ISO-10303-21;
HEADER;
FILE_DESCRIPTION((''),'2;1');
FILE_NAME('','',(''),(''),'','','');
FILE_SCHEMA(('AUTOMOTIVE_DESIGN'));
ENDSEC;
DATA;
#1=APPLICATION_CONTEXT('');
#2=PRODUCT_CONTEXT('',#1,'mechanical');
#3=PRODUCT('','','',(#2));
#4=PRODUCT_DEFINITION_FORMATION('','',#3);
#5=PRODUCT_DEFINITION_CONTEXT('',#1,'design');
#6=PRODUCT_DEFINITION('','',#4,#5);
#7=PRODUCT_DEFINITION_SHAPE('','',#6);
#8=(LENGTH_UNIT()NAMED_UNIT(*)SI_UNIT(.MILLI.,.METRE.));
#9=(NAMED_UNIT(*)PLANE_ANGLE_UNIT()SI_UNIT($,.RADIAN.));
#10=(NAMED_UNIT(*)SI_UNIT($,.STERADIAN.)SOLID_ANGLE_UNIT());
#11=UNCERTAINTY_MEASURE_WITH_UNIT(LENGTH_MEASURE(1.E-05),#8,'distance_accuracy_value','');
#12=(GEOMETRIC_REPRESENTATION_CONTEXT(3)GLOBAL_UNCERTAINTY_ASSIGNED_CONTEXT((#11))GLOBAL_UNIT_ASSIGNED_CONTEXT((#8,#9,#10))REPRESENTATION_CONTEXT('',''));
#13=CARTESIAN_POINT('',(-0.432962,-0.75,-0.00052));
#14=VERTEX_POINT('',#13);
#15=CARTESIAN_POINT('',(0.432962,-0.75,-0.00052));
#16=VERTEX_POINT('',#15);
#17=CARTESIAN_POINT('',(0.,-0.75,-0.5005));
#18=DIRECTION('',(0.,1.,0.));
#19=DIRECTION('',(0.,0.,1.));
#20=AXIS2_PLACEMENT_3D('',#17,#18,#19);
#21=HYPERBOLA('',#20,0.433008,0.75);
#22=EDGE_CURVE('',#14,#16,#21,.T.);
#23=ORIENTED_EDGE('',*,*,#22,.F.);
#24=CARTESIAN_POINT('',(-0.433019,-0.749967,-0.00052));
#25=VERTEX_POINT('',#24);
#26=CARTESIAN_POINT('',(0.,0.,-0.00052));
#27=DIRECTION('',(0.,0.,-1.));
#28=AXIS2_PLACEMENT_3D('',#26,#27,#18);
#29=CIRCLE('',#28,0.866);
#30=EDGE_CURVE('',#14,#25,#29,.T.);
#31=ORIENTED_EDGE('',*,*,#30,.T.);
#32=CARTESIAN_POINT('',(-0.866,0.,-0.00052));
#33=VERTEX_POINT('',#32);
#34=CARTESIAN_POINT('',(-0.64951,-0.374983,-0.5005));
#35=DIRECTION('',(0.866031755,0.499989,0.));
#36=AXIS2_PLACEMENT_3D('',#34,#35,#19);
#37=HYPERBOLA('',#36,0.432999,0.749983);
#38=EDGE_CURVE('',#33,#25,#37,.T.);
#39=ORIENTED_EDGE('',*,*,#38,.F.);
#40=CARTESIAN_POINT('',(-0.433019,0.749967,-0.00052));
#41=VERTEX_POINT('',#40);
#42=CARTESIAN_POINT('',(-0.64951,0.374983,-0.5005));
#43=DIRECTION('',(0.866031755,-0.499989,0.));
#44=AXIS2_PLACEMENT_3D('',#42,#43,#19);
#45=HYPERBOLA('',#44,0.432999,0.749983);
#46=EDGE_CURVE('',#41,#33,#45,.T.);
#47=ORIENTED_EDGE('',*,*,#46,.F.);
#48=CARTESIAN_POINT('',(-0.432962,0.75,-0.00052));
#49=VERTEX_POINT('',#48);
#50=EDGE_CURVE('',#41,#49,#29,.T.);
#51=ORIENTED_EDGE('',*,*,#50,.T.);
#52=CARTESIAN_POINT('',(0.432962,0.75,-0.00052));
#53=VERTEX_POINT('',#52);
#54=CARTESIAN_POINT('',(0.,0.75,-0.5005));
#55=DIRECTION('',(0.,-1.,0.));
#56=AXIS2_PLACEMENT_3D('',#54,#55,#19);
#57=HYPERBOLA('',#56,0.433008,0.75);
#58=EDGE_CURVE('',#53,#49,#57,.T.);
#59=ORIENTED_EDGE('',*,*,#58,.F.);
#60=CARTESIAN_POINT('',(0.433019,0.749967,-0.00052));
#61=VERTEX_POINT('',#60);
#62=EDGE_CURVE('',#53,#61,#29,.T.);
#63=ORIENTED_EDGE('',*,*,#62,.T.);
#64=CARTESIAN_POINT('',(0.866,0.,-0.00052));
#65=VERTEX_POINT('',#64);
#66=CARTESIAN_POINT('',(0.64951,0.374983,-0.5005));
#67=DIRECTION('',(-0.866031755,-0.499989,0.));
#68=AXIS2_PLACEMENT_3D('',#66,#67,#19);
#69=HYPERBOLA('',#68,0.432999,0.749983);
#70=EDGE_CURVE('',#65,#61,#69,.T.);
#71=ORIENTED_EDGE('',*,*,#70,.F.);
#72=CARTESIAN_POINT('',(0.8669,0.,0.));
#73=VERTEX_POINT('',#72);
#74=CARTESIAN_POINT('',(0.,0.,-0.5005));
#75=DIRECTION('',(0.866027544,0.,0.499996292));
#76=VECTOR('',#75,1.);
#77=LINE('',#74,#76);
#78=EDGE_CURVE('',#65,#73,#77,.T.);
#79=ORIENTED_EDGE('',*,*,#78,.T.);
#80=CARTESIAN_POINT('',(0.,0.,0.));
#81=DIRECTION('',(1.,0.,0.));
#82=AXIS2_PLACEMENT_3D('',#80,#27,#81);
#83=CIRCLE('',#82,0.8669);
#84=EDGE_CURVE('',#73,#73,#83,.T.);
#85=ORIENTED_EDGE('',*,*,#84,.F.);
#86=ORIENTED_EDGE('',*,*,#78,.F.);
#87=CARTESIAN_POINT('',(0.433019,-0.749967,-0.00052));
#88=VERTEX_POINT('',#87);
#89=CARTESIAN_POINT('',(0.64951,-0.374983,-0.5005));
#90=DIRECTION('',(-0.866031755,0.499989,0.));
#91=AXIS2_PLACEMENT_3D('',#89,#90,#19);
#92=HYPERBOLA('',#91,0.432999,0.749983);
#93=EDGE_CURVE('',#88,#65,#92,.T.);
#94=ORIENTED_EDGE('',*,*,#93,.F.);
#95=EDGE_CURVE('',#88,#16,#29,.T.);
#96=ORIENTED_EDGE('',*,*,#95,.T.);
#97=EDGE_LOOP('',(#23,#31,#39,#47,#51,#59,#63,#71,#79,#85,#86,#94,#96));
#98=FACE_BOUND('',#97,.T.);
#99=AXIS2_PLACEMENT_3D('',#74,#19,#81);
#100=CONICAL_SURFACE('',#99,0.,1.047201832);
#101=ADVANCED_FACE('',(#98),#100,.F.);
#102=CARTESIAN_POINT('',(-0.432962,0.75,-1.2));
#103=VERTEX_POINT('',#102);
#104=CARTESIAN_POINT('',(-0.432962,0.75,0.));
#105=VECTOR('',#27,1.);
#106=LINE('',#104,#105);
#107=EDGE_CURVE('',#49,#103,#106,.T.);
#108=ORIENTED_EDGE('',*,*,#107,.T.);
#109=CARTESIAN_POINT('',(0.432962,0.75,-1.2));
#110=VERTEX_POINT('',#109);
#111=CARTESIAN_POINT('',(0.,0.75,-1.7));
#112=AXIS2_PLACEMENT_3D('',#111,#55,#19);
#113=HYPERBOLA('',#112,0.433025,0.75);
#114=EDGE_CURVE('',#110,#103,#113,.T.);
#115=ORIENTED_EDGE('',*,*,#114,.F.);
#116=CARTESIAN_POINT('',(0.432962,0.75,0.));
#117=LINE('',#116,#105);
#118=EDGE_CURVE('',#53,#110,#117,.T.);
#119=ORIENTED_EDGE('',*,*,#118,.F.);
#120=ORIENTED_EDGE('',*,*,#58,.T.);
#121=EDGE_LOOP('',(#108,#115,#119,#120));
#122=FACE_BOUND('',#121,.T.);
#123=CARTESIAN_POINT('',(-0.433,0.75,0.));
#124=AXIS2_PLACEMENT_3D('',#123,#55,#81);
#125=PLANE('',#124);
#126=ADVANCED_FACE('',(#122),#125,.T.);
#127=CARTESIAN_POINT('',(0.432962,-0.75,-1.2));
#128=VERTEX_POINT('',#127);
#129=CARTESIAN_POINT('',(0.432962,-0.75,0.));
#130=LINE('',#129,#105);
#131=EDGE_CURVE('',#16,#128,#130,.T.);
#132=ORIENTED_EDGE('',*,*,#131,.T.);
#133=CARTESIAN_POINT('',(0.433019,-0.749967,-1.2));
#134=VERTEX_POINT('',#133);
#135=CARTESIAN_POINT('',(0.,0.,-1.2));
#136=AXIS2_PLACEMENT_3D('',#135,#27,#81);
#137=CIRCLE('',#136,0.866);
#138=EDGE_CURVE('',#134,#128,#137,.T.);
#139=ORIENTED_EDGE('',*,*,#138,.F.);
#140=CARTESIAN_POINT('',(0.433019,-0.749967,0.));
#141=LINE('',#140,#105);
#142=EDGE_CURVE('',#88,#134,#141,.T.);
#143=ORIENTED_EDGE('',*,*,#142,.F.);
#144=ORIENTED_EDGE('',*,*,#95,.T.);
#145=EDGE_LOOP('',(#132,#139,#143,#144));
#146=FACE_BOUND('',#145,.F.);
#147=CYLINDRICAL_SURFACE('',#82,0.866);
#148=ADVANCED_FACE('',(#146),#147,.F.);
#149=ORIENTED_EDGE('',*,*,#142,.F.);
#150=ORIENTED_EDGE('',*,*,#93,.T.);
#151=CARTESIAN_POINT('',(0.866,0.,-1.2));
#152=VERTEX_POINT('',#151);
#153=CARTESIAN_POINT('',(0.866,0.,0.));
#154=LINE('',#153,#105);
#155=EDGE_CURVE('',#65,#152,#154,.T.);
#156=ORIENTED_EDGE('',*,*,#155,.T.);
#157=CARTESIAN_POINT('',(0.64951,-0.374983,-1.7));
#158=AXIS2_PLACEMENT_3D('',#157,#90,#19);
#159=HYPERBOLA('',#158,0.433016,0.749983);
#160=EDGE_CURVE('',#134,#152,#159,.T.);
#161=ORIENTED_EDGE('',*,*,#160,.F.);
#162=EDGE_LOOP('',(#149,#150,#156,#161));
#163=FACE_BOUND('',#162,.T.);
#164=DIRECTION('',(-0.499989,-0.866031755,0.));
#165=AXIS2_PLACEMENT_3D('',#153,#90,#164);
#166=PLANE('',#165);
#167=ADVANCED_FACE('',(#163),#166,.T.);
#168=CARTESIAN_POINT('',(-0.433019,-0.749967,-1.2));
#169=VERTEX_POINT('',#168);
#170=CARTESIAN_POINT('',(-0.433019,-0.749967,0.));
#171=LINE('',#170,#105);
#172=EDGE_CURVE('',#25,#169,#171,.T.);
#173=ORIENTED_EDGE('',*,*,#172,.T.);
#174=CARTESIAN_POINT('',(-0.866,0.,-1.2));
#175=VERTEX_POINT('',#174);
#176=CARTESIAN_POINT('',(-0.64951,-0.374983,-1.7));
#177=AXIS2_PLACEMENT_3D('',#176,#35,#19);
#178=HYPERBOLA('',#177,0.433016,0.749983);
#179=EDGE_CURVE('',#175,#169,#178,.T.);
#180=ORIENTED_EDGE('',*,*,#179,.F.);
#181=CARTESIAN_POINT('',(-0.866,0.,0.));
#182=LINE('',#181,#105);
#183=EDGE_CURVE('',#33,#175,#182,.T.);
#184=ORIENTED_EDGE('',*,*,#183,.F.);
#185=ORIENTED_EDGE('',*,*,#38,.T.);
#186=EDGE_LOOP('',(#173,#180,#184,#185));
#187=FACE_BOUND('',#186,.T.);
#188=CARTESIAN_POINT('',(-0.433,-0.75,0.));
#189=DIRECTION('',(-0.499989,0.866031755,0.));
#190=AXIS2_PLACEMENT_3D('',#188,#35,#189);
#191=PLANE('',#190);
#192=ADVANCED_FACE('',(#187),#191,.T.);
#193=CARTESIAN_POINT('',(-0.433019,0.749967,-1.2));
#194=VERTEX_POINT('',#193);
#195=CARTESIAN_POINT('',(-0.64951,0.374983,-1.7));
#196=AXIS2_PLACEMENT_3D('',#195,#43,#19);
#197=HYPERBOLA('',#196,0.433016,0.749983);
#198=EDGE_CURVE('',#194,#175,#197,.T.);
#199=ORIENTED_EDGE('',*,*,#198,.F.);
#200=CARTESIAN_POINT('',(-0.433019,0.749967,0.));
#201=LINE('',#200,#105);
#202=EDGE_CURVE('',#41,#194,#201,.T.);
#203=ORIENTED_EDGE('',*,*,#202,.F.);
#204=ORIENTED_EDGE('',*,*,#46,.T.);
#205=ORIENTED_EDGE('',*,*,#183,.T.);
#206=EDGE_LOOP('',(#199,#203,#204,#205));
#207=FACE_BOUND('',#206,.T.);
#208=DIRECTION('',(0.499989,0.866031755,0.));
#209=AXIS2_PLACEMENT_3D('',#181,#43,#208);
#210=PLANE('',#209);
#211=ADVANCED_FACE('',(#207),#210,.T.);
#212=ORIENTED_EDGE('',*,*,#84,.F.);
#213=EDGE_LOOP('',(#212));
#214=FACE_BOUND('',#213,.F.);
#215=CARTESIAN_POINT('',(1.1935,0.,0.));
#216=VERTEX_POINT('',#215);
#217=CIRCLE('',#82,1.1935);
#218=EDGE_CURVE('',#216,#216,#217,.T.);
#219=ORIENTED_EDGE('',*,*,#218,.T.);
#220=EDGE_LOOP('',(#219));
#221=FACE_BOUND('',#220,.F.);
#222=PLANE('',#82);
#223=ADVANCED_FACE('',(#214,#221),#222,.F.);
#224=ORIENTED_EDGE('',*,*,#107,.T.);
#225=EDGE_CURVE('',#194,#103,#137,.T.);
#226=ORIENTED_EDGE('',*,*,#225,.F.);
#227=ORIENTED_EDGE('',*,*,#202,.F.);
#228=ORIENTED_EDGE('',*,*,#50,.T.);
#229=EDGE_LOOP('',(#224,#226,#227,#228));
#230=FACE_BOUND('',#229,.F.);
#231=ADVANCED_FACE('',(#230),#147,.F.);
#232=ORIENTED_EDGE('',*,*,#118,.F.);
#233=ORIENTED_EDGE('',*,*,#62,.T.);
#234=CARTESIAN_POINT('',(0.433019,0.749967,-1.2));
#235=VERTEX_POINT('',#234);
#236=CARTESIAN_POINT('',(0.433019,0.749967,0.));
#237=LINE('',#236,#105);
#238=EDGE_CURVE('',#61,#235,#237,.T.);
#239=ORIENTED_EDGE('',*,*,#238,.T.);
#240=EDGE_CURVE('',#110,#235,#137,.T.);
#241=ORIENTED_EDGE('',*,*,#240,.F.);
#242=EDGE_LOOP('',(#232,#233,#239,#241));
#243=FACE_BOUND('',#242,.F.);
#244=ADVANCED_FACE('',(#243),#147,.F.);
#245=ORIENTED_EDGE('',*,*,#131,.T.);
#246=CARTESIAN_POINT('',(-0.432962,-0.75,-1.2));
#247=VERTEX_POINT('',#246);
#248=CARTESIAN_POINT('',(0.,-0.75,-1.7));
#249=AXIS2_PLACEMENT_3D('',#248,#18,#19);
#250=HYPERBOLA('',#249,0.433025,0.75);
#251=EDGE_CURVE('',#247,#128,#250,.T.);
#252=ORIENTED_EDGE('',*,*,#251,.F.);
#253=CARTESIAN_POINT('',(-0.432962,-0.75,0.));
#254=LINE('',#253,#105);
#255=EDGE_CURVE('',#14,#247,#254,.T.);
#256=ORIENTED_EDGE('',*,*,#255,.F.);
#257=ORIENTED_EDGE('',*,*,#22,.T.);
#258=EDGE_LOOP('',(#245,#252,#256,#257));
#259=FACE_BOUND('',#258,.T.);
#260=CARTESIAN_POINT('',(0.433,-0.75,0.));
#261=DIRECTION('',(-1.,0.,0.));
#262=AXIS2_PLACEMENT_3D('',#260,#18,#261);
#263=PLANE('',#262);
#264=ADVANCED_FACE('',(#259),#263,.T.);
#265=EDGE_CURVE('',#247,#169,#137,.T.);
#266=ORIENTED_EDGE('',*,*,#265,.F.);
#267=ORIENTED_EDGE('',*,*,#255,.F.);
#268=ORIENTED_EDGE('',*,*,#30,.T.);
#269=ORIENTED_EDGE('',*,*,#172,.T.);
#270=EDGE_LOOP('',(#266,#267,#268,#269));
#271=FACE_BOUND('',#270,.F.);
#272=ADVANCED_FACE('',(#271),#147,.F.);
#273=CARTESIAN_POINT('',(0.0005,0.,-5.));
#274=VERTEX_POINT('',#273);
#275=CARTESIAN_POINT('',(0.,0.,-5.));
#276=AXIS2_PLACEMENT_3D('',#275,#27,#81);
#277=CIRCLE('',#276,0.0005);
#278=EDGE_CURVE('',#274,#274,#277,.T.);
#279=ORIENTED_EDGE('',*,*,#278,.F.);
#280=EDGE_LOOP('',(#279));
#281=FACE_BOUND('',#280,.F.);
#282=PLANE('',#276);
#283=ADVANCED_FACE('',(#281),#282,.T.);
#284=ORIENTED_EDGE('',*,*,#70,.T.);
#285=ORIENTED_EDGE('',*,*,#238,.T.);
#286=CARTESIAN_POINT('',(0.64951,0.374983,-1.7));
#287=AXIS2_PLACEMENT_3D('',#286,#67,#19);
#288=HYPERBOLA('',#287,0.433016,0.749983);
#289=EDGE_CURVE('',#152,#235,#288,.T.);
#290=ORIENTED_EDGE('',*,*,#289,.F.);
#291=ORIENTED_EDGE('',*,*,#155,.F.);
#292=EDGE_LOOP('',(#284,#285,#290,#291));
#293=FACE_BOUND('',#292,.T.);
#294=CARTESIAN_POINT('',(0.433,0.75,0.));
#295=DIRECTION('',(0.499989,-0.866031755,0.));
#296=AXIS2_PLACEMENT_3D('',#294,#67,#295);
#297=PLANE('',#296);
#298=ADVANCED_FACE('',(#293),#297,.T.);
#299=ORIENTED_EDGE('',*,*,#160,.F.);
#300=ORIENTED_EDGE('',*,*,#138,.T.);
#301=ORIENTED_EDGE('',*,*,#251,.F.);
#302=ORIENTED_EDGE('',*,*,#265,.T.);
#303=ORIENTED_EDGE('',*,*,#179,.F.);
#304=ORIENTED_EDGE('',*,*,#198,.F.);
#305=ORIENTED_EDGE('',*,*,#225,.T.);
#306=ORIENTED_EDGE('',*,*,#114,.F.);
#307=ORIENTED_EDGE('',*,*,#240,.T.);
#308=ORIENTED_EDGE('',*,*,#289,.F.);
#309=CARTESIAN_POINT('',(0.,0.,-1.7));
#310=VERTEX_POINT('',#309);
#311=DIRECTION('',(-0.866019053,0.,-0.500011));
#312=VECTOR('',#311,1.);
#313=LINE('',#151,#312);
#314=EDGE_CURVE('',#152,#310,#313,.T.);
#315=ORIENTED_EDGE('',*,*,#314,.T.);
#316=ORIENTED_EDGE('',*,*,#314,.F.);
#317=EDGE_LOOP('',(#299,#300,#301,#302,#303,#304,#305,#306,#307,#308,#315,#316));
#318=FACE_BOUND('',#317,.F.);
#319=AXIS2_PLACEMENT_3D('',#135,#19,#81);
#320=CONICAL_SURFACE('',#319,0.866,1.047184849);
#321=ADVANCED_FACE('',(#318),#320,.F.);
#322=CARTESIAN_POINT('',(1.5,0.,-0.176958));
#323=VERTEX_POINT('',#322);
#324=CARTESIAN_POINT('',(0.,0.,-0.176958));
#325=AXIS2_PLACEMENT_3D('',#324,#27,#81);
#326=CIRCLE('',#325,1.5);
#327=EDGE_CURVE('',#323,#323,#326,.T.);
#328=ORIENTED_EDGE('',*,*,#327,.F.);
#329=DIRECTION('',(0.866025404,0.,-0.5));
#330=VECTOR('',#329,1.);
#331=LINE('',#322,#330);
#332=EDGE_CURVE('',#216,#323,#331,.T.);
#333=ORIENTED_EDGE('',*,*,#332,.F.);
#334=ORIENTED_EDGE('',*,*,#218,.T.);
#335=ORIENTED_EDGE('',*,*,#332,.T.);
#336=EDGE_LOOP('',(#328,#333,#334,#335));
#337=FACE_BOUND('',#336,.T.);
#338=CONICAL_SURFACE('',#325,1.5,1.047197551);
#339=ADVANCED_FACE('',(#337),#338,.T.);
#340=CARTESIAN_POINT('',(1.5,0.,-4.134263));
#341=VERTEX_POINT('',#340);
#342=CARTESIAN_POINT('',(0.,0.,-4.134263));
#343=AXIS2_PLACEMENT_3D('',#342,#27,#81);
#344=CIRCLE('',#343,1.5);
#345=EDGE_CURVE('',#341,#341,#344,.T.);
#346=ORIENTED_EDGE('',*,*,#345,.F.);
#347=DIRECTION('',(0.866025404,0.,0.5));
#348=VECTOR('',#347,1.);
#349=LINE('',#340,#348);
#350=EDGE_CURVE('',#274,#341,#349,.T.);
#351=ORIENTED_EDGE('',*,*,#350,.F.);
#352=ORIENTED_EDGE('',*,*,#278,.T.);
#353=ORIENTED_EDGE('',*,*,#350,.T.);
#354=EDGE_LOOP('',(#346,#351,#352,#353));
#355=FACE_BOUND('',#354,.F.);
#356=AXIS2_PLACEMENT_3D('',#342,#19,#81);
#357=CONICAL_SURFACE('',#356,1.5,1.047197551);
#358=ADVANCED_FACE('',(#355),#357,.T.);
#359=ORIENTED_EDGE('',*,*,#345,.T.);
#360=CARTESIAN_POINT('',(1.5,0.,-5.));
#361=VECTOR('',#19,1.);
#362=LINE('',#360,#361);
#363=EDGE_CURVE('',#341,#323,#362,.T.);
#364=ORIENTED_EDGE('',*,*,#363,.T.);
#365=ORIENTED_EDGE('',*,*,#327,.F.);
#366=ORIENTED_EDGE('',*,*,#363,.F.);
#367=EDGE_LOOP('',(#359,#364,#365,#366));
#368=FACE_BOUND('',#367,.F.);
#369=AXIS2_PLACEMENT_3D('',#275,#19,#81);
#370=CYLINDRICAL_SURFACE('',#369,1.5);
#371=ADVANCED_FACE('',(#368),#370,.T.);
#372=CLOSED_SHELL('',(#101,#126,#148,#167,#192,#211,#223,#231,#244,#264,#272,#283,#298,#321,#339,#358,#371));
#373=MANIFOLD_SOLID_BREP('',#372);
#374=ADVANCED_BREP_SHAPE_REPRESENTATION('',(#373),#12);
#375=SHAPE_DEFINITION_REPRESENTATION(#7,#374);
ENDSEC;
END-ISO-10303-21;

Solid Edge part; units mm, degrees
sketch "Sketch1" plane through (0, 0, 0) normal (0, -1, 0) x (1, 0, 0)
  line L0 (0, -5) -> (1.5, -5)
  line L1 (1.5, -5) -> (1.5, 0)
  line L2 (1.5, 0) -> (0.866, 0)
  line L3 (0.866, 0) -> (0.866, -1.2)
  line L4 (0.866, -1.2) -> (0, -1.7)
  dimension "D1" = 1.5
  dimension "D2" = 5
  dimension "D3" = 1.2
  dimension "D4" = 0.75
revolve "RevolvedProtrusion1" add sketch "Sketch1" angle 360 about axis through (0, 0, -7.6667) along (0, 0, -1)
sketch "Sketch2" plane through (0, 0, 0) normal (0, 0, 1) x (1, 0, 0)
  circle A0 centre (0, 0) radius 1.1935
  line L0 (-0.433, 0.75) -> (0.433, 0.75)
  line L1 (0.433, 0.75) -> (0.866, 0)
  line L2 (0.866, 0) -> (0.433, -0.75)
  line L3 (0.433, -0.75) -> (-0.433, -0.75)
  line L4 (-0.433, -0.75) -> (-0.866, 0)
  line L5 (-0.866, 0) -> (-0.433, 0.75)
  dimension "D1" = 1.5
  dimension "D2" = 2.387
extrude "ExtrudedProtrusion_1" add sketch "Sketch2" against normal blind 5
sketch "Sketch3" plane through (0, 0, 0) normal (0, -1, 0) x (1, 0, 0)
  line L0 (0, -0.5005) -> (0.8669, 0)
  line L1 (0.8669, 0) -> (0, 0)
  dimension "D1" = 0.7507
revolve "RevolvedCutout_1" cut sketch "Sketch3" angle 360 about axis through (0, 0, 0) along (0, 0, -1)
cosmetic_thread "Thread_1" size "M3" thread depth 5
chamfer "Chamfer_1" distance 0.3065 angle 30 1 edges at (-1.5, 0, 0) measured on face at (-1.03, 0.97, 0)
chamfer "Chamfer_2" distance 1.4995 angle 30 1 edges at (-1.5, 0, -5) measured on face at (1.03, 0.97, -5)
properties material "Stahl"
